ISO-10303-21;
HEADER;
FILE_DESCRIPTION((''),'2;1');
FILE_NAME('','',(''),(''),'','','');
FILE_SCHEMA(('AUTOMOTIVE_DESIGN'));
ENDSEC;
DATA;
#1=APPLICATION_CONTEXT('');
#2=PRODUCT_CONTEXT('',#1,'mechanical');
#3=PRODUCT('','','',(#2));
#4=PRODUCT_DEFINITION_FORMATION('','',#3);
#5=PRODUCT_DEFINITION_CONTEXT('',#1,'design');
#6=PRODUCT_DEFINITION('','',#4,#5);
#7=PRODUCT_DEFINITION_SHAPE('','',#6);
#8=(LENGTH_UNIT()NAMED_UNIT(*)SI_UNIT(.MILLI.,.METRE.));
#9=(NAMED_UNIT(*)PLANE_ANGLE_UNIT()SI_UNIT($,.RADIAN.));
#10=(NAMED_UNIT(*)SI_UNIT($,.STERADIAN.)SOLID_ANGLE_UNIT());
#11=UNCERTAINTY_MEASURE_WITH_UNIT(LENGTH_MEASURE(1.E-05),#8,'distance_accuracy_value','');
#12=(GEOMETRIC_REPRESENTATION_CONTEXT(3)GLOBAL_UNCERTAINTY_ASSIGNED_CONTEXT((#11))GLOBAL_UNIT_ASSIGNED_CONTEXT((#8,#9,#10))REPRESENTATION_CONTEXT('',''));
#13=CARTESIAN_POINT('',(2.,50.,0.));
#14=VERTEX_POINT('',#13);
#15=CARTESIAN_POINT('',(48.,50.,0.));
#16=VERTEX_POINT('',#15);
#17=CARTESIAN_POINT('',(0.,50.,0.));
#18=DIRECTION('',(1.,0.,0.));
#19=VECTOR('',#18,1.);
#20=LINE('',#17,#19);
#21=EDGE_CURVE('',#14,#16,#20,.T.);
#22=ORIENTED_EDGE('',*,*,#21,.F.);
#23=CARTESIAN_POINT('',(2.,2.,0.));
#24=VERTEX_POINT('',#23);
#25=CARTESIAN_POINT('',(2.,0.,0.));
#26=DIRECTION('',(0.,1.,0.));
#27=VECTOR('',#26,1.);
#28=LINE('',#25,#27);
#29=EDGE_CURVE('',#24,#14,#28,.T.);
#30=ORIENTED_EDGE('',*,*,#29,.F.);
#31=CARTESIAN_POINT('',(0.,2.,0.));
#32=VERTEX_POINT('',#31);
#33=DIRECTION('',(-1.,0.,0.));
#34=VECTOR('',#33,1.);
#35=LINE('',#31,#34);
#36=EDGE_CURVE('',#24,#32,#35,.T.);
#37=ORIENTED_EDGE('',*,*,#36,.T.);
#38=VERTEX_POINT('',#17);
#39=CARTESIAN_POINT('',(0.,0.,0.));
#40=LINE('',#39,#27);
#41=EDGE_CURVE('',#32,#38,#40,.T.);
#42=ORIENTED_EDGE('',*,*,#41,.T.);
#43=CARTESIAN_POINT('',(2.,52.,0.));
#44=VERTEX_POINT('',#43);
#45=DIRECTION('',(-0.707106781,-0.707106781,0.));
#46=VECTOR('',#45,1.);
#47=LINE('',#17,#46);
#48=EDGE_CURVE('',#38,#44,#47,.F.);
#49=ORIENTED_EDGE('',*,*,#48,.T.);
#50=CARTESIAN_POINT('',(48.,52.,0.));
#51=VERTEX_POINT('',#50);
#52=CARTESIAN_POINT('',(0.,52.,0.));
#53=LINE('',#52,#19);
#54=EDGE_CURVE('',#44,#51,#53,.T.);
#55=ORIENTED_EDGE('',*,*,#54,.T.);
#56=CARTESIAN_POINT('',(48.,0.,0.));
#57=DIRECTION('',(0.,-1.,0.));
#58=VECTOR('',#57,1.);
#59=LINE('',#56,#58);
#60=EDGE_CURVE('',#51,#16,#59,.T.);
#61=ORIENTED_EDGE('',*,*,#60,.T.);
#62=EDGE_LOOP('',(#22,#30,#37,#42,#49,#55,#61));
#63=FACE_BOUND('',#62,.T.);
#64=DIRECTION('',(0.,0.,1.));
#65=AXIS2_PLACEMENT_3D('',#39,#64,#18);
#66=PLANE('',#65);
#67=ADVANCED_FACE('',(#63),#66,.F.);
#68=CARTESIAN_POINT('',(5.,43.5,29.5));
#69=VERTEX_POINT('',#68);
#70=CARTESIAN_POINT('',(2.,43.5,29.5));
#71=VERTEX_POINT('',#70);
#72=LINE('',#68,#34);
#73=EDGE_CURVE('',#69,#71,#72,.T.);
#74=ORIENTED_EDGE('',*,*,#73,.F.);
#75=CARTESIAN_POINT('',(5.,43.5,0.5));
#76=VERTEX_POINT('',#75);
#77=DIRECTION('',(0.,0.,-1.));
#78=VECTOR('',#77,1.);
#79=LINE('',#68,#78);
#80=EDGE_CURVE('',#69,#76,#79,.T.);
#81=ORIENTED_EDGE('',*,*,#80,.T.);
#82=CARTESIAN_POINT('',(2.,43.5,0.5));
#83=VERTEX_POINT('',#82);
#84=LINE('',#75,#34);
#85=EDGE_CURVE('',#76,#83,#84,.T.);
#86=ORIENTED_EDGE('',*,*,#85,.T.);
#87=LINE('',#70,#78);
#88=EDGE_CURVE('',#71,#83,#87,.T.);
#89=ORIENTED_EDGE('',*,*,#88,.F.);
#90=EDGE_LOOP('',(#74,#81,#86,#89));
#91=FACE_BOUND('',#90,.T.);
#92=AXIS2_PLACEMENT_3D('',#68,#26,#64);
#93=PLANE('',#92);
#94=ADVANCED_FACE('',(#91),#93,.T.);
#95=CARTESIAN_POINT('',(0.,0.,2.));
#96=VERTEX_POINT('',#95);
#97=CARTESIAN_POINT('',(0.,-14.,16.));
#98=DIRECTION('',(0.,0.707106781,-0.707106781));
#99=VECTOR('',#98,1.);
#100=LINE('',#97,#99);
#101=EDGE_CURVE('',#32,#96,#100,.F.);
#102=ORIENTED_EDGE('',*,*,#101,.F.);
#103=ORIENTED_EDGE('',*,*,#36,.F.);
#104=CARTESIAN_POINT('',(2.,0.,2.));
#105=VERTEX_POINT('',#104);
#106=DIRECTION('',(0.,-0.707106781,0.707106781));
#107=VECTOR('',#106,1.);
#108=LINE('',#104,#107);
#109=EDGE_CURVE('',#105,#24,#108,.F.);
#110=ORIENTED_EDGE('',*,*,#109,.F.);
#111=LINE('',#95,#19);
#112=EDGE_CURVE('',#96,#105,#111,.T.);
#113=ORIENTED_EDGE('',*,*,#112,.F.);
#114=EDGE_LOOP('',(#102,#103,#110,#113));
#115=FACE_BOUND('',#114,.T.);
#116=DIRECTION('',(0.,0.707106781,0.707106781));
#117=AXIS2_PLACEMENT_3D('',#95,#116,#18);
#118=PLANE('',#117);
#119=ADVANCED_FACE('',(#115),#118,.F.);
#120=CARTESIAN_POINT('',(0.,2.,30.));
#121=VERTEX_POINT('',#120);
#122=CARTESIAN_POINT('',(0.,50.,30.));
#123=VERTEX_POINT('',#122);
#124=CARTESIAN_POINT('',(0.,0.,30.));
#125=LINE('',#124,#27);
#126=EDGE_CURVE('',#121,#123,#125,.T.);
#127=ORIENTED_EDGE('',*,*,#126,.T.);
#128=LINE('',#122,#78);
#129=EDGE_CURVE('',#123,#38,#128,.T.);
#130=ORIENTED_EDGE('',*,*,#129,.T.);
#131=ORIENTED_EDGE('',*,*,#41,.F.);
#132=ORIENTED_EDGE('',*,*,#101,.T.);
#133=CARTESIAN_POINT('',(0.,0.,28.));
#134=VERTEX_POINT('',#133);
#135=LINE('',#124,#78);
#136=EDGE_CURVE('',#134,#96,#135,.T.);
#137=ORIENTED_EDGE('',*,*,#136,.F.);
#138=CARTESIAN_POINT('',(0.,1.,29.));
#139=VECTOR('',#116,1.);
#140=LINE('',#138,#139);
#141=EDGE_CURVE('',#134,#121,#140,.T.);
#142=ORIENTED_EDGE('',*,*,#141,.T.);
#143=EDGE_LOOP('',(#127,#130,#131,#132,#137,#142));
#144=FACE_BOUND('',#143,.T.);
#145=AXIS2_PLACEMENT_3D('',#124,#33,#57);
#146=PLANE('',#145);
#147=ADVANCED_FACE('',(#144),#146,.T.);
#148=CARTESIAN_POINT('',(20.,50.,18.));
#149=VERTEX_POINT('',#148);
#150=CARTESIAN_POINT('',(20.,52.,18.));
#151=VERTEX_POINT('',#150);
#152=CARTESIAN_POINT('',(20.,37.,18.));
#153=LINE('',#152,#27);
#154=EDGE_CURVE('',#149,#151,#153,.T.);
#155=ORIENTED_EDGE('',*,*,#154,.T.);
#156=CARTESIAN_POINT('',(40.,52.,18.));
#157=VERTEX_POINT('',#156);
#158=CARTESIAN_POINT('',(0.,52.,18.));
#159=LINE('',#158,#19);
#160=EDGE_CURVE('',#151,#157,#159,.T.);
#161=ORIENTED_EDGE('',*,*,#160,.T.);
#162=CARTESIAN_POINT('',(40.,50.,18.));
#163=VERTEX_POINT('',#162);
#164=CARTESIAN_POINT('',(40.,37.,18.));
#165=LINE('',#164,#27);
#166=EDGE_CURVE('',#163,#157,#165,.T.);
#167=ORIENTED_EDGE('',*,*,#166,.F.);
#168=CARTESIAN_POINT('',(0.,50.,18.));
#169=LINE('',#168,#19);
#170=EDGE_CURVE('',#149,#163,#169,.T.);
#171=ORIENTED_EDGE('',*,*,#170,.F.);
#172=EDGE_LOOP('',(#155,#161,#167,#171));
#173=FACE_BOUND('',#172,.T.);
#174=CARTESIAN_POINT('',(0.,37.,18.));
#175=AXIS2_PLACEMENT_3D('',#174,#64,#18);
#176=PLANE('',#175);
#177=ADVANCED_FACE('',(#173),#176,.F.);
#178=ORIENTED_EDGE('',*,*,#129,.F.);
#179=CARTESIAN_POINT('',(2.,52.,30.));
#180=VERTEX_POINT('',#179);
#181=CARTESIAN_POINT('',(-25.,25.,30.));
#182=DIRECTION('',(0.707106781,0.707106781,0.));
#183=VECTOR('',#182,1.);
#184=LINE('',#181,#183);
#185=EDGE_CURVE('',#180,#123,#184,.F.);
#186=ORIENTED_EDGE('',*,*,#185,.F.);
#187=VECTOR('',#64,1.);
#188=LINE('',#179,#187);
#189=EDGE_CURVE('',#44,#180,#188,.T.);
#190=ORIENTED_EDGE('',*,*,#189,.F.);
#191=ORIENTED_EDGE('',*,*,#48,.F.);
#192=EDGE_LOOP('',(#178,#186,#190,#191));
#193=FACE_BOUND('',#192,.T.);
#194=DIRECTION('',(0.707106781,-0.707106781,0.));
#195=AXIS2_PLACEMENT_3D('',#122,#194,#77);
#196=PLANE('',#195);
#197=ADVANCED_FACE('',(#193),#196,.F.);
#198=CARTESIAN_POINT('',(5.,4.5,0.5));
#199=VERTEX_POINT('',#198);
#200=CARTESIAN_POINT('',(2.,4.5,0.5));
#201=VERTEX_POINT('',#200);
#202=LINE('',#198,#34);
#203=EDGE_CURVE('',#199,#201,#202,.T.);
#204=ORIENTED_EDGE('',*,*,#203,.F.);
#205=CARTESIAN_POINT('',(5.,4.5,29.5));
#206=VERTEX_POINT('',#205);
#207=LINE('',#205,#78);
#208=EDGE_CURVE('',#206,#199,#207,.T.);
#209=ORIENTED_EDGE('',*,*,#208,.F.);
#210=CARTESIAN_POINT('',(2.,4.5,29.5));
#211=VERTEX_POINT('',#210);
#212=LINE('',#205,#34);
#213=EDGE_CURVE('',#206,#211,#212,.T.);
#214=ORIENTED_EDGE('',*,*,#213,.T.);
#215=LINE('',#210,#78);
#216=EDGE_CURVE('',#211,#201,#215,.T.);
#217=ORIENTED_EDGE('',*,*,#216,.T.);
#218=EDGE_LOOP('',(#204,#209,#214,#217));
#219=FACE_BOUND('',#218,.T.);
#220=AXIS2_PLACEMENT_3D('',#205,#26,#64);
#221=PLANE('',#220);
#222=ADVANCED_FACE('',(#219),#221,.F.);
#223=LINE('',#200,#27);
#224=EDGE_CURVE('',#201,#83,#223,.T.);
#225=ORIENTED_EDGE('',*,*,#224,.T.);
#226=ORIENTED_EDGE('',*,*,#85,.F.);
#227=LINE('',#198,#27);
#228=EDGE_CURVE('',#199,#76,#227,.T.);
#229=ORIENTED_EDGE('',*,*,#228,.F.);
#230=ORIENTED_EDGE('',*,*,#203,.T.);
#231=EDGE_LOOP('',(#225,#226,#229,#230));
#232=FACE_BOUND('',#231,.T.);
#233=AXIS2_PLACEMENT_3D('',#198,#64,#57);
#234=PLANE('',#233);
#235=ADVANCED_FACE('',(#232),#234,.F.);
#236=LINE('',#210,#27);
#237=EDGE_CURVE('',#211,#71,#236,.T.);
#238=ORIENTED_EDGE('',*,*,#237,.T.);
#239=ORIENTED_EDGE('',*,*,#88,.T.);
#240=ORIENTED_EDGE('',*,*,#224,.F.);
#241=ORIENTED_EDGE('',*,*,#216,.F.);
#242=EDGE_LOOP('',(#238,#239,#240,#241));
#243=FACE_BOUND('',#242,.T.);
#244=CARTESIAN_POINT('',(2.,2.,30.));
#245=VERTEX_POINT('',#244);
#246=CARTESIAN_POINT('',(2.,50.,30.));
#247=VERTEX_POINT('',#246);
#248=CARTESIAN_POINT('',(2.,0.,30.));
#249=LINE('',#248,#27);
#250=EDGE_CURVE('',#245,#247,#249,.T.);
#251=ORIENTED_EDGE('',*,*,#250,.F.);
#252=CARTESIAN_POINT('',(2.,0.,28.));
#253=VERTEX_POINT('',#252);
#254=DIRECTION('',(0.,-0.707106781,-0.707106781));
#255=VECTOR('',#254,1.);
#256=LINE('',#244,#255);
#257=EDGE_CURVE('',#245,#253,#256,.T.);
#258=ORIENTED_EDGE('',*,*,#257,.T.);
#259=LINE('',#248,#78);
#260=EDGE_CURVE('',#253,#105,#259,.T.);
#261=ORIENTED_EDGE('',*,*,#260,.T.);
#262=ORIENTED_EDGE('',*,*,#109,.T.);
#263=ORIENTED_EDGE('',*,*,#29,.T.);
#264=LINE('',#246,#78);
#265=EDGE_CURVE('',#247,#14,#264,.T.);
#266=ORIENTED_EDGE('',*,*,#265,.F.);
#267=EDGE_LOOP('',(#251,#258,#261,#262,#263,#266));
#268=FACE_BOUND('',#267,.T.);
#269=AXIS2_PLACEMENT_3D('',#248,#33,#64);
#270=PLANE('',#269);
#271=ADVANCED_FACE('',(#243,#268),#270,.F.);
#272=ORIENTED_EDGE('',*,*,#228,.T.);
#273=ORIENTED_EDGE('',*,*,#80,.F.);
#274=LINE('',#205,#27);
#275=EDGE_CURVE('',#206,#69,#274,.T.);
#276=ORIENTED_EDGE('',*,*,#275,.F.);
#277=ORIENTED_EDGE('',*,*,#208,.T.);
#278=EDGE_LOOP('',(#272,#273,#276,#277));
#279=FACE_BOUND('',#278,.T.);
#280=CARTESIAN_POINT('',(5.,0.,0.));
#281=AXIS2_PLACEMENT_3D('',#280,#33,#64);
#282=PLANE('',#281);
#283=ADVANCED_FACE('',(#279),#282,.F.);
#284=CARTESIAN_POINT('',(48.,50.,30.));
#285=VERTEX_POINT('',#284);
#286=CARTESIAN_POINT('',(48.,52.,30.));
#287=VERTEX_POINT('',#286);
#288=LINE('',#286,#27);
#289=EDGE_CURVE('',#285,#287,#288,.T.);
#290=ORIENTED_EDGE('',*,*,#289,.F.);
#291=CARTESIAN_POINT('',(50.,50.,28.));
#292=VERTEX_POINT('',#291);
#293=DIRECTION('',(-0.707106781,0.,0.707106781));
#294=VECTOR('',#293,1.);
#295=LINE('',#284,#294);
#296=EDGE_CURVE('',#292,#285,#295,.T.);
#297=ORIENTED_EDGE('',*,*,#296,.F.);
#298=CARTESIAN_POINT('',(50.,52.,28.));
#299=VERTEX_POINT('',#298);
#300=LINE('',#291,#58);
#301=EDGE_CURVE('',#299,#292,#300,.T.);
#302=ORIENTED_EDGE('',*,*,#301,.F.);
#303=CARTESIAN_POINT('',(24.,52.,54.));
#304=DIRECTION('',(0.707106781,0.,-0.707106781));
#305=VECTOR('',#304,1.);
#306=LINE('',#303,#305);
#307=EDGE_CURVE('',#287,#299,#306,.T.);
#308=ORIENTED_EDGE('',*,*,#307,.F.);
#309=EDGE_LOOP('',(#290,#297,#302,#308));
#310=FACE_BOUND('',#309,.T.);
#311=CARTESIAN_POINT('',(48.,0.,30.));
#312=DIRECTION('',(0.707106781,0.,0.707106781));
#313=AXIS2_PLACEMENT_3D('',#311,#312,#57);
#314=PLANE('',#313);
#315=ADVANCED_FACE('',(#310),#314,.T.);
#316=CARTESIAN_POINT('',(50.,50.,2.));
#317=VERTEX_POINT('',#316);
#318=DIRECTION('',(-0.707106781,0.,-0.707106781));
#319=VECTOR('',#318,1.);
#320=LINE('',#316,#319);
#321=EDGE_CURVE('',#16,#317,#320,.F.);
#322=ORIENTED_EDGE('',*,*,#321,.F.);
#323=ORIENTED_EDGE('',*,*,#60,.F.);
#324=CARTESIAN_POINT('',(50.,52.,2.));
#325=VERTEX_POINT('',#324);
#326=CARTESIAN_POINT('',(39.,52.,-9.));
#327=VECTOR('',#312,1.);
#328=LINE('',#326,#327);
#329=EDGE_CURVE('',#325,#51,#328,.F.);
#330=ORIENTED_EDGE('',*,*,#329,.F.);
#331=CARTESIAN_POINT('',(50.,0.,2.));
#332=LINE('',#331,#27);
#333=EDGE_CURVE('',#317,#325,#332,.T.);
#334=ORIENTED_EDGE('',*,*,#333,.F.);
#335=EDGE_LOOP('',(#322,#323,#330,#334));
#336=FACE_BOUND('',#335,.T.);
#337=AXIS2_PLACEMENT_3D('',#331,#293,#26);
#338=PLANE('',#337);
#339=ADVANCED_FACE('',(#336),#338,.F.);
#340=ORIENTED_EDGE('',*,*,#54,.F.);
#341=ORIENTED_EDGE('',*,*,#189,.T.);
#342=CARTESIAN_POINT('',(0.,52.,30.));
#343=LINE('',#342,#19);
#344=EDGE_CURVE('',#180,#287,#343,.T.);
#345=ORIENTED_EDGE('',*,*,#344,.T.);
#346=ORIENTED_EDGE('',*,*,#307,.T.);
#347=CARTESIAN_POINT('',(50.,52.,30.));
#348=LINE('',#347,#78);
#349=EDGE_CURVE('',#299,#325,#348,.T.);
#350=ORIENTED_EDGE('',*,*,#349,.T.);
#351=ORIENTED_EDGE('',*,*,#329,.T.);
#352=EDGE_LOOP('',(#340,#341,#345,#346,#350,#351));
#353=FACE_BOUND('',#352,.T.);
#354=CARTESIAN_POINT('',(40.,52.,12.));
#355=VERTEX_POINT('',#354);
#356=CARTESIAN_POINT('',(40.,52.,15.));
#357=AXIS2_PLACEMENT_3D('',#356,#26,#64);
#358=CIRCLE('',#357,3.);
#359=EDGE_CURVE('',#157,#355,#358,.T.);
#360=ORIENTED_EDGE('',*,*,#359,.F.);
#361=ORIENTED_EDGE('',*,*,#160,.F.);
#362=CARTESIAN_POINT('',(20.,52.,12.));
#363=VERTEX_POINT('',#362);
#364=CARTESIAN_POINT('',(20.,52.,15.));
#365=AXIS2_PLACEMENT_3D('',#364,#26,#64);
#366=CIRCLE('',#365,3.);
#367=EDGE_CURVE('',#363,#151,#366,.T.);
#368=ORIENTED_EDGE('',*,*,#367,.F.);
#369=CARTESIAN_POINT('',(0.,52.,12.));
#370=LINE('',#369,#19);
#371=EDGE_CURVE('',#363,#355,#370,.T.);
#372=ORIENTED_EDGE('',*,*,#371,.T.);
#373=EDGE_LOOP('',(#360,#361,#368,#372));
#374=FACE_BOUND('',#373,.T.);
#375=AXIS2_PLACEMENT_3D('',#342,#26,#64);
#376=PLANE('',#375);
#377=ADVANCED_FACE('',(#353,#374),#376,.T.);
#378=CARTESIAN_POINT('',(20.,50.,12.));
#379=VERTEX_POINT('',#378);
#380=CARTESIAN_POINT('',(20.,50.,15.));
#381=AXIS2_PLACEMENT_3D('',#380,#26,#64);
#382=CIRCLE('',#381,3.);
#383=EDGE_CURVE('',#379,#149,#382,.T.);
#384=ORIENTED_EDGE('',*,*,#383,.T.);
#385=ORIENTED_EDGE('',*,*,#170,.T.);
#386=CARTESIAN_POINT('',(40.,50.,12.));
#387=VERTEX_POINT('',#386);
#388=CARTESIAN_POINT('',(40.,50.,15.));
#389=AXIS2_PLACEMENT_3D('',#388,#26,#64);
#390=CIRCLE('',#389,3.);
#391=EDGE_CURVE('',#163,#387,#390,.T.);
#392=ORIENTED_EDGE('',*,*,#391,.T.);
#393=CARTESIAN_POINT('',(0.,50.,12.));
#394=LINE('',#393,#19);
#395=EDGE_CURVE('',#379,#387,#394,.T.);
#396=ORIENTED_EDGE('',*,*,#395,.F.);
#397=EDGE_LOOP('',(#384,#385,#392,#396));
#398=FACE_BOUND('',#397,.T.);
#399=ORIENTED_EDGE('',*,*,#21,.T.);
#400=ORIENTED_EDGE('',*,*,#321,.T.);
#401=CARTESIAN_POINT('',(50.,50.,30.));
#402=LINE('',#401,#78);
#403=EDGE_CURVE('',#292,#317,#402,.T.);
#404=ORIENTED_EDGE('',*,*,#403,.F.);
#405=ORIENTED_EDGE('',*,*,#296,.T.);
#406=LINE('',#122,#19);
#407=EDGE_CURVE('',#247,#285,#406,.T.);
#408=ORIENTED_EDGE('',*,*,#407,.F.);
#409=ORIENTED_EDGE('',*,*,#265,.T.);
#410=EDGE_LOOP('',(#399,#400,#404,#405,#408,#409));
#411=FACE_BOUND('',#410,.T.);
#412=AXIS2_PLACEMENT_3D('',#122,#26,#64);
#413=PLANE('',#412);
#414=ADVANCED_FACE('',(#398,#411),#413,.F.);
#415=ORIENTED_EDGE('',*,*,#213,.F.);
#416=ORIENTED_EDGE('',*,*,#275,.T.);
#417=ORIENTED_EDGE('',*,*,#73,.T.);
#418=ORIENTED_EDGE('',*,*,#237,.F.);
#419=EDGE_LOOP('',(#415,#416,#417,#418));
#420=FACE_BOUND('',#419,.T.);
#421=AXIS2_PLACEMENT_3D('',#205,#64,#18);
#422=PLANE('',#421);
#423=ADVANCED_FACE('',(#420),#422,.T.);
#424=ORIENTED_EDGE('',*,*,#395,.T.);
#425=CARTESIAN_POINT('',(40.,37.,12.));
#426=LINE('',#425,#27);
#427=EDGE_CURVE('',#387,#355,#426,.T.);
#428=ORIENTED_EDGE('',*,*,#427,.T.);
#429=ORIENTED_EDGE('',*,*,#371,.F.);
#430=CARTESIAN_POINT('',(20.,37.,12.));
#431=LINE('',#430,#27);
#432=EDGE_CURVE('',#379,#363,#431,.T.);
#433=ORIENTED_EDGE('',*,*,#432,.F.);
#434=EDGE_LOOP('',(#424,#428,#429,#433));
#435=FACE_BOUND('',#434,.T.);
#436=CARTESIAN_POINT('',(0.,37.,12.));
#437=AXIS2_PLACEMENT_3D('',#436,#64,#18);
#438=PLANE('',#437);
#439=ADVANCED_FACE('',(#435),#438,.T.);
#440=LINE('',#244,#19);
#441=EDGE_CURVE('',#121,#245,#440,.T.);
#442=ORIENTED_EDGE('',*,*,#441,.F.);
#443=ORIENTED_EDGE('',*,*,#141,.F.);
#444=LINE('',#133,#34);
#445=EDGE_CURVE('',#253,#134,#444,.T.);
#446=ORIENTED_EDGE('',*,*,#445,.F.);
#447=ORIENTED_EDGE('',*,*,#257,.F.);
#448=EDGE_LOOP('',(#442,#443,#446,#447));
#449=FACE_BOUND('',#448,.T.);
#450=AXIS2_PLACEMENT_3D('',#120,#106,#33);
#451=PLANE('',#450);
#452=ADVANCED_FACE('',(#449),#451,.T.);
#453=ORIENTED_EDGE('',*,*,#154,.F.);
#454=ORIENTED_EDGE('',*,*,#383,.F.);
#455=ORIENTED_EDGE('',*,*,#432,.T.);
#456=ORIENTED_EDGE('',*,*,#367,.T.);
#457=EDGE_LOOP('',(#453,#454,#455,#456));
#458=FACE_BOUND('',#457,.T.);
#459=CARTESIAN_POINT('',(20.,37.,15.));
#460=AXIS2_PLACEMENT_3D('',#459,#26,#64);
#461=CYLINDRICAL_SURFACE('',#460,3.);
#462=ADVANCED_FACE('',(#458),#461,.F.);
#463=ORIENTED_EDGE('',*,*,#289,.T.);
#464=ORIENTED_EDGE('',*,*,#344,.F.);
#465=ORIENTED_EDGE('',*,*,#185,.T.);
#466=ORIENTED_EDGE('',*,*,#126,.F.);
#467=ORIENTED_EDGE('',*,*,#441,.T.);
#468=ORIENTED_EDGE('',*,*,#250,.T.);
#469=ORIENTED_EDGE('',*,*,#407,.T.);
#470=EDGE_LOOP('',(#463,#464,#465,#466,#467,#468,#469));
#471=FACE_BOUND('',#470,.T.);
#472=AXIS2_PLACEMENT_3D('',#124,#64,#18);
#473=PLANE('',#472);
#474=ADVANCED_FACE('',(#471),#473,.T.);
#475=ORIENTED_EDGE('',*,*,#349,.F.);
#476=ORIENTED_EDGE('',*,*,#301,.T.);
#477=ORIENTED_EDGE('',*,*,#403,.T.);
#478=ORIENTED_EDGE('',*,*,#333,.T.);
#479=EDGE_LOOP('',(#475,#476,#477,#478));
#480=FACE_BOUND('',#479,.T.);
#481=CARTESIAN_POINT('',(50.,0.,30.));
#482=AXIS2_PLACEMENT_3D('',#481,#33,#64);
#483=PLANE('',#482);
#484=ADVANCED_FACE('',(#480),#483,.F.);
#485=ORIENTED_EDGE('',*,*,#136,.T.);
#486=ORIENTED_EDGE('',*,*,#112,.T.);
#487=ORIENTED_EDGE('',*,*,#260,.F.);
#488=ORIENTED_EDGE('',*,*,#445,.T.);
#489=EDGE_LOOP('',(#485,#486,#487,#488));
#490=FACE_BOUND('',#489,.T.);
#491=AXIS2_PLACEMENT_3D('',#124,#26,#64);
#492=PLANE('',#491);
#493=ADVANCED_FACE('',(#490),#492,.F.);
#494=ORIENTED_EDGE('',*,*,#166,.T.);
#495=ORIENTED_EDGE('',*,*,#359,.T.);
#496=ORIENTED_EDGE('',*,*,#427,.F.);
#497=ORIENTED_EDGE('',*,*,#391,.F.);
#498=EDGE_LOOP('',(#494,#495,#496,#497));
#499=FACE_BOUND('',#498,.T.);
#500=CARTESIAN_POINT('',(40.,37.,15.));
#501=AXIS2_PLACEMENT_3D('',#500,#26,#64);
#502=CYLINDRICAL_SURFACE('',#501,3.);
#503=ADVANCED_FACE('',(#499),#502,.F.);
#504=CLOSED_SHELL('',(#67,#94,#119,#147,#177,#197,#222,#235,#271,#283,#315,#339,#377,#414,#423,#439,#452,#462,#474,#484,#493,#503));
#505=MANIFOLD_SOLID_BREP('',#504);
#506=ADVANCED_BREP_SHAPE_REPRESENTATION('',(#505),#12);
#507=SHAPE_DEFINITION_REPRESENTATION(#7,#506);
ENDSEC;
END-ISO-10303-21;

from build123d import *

# Parameters (mm, degrees)
ESBO_O1_W                = 2
ESBO_O1_H                = 50
ESBO_O1_W_2              = 50
ESBO_O1_H_2              = 2
RESSALTO_EXTRUS_O1_DEPTH = 30
CHANFRO1_SIZE            = 2
ESBO_O2_R                = 3
ESBO_O2_W                = 20
ESBO_O2_H                = 6
CORTE_EXTRUS_O1_DEPTH    = 15
ESBO_O3_W                = 29
ESBO_O3_H                = 39
RESSALTO_EXTRUS_O2_DEPTH = 3


with BuildPart() as part:
    # Esboço1 → Ressalto-extrusão1 (new body)
    with BuildSketch(Plane.XY):
        with Locations((1, 25)):
            Rectangle(ESBO_O1_W, ESBO_O1_H)
        with Locations((25, 51)):
            Rectangle(ESBO_O1_W_2, ESBO_O1_H_2)
    extrude(amount=RESSALTO_EXTRUS_O1_DEPTH)

    # Chanfro1
    chanfro1_edges = [part.edges().sort_by_distance(p)[0] for p in [
        (1, 0, 0),
        (50, 51, 0),
        (0, 52, 15),
        (50, 51, 30),
        (1, 0, 30),
    ]]
    chamfer(chanfro1_edges, length=CHANFRO1_SIZE)

    # Esboço2 → Corte-extrusão1 (cut)
    with BuildSketch(Plane(origin=(0, 52, 0), x_dir=(1, 0, 0), z_dir=(0, 1, 0))):
        with Locations((40, -15)):
            Circle(ESBO_O2_R)
        with Locations((20, -15)):
            Circle(ESBO_O2_R)
        with Locations((30, -15)):
            Rectangle(ESBO_O2_W, ESBO_O2_H)
    extrude(amount=-CORTE_EXTRUS_O1_DEPTH, mode=Mode.SUBTRACT)

    # Esboço3 → Ressalto-extrusão2 (add)
    with BuildSketch(Plane(origin=(2, 0, 0), x_dir=(0, 0, -1), z_dir=(1, 0, 0))):
        with Locations((-15, 24)):
            Rectangle(ESBO_O3_W, ESBO_O3_H)
    extrude(amount=RESSALTO_EXTRUS_O2_DEPTH)


solid = part.part
